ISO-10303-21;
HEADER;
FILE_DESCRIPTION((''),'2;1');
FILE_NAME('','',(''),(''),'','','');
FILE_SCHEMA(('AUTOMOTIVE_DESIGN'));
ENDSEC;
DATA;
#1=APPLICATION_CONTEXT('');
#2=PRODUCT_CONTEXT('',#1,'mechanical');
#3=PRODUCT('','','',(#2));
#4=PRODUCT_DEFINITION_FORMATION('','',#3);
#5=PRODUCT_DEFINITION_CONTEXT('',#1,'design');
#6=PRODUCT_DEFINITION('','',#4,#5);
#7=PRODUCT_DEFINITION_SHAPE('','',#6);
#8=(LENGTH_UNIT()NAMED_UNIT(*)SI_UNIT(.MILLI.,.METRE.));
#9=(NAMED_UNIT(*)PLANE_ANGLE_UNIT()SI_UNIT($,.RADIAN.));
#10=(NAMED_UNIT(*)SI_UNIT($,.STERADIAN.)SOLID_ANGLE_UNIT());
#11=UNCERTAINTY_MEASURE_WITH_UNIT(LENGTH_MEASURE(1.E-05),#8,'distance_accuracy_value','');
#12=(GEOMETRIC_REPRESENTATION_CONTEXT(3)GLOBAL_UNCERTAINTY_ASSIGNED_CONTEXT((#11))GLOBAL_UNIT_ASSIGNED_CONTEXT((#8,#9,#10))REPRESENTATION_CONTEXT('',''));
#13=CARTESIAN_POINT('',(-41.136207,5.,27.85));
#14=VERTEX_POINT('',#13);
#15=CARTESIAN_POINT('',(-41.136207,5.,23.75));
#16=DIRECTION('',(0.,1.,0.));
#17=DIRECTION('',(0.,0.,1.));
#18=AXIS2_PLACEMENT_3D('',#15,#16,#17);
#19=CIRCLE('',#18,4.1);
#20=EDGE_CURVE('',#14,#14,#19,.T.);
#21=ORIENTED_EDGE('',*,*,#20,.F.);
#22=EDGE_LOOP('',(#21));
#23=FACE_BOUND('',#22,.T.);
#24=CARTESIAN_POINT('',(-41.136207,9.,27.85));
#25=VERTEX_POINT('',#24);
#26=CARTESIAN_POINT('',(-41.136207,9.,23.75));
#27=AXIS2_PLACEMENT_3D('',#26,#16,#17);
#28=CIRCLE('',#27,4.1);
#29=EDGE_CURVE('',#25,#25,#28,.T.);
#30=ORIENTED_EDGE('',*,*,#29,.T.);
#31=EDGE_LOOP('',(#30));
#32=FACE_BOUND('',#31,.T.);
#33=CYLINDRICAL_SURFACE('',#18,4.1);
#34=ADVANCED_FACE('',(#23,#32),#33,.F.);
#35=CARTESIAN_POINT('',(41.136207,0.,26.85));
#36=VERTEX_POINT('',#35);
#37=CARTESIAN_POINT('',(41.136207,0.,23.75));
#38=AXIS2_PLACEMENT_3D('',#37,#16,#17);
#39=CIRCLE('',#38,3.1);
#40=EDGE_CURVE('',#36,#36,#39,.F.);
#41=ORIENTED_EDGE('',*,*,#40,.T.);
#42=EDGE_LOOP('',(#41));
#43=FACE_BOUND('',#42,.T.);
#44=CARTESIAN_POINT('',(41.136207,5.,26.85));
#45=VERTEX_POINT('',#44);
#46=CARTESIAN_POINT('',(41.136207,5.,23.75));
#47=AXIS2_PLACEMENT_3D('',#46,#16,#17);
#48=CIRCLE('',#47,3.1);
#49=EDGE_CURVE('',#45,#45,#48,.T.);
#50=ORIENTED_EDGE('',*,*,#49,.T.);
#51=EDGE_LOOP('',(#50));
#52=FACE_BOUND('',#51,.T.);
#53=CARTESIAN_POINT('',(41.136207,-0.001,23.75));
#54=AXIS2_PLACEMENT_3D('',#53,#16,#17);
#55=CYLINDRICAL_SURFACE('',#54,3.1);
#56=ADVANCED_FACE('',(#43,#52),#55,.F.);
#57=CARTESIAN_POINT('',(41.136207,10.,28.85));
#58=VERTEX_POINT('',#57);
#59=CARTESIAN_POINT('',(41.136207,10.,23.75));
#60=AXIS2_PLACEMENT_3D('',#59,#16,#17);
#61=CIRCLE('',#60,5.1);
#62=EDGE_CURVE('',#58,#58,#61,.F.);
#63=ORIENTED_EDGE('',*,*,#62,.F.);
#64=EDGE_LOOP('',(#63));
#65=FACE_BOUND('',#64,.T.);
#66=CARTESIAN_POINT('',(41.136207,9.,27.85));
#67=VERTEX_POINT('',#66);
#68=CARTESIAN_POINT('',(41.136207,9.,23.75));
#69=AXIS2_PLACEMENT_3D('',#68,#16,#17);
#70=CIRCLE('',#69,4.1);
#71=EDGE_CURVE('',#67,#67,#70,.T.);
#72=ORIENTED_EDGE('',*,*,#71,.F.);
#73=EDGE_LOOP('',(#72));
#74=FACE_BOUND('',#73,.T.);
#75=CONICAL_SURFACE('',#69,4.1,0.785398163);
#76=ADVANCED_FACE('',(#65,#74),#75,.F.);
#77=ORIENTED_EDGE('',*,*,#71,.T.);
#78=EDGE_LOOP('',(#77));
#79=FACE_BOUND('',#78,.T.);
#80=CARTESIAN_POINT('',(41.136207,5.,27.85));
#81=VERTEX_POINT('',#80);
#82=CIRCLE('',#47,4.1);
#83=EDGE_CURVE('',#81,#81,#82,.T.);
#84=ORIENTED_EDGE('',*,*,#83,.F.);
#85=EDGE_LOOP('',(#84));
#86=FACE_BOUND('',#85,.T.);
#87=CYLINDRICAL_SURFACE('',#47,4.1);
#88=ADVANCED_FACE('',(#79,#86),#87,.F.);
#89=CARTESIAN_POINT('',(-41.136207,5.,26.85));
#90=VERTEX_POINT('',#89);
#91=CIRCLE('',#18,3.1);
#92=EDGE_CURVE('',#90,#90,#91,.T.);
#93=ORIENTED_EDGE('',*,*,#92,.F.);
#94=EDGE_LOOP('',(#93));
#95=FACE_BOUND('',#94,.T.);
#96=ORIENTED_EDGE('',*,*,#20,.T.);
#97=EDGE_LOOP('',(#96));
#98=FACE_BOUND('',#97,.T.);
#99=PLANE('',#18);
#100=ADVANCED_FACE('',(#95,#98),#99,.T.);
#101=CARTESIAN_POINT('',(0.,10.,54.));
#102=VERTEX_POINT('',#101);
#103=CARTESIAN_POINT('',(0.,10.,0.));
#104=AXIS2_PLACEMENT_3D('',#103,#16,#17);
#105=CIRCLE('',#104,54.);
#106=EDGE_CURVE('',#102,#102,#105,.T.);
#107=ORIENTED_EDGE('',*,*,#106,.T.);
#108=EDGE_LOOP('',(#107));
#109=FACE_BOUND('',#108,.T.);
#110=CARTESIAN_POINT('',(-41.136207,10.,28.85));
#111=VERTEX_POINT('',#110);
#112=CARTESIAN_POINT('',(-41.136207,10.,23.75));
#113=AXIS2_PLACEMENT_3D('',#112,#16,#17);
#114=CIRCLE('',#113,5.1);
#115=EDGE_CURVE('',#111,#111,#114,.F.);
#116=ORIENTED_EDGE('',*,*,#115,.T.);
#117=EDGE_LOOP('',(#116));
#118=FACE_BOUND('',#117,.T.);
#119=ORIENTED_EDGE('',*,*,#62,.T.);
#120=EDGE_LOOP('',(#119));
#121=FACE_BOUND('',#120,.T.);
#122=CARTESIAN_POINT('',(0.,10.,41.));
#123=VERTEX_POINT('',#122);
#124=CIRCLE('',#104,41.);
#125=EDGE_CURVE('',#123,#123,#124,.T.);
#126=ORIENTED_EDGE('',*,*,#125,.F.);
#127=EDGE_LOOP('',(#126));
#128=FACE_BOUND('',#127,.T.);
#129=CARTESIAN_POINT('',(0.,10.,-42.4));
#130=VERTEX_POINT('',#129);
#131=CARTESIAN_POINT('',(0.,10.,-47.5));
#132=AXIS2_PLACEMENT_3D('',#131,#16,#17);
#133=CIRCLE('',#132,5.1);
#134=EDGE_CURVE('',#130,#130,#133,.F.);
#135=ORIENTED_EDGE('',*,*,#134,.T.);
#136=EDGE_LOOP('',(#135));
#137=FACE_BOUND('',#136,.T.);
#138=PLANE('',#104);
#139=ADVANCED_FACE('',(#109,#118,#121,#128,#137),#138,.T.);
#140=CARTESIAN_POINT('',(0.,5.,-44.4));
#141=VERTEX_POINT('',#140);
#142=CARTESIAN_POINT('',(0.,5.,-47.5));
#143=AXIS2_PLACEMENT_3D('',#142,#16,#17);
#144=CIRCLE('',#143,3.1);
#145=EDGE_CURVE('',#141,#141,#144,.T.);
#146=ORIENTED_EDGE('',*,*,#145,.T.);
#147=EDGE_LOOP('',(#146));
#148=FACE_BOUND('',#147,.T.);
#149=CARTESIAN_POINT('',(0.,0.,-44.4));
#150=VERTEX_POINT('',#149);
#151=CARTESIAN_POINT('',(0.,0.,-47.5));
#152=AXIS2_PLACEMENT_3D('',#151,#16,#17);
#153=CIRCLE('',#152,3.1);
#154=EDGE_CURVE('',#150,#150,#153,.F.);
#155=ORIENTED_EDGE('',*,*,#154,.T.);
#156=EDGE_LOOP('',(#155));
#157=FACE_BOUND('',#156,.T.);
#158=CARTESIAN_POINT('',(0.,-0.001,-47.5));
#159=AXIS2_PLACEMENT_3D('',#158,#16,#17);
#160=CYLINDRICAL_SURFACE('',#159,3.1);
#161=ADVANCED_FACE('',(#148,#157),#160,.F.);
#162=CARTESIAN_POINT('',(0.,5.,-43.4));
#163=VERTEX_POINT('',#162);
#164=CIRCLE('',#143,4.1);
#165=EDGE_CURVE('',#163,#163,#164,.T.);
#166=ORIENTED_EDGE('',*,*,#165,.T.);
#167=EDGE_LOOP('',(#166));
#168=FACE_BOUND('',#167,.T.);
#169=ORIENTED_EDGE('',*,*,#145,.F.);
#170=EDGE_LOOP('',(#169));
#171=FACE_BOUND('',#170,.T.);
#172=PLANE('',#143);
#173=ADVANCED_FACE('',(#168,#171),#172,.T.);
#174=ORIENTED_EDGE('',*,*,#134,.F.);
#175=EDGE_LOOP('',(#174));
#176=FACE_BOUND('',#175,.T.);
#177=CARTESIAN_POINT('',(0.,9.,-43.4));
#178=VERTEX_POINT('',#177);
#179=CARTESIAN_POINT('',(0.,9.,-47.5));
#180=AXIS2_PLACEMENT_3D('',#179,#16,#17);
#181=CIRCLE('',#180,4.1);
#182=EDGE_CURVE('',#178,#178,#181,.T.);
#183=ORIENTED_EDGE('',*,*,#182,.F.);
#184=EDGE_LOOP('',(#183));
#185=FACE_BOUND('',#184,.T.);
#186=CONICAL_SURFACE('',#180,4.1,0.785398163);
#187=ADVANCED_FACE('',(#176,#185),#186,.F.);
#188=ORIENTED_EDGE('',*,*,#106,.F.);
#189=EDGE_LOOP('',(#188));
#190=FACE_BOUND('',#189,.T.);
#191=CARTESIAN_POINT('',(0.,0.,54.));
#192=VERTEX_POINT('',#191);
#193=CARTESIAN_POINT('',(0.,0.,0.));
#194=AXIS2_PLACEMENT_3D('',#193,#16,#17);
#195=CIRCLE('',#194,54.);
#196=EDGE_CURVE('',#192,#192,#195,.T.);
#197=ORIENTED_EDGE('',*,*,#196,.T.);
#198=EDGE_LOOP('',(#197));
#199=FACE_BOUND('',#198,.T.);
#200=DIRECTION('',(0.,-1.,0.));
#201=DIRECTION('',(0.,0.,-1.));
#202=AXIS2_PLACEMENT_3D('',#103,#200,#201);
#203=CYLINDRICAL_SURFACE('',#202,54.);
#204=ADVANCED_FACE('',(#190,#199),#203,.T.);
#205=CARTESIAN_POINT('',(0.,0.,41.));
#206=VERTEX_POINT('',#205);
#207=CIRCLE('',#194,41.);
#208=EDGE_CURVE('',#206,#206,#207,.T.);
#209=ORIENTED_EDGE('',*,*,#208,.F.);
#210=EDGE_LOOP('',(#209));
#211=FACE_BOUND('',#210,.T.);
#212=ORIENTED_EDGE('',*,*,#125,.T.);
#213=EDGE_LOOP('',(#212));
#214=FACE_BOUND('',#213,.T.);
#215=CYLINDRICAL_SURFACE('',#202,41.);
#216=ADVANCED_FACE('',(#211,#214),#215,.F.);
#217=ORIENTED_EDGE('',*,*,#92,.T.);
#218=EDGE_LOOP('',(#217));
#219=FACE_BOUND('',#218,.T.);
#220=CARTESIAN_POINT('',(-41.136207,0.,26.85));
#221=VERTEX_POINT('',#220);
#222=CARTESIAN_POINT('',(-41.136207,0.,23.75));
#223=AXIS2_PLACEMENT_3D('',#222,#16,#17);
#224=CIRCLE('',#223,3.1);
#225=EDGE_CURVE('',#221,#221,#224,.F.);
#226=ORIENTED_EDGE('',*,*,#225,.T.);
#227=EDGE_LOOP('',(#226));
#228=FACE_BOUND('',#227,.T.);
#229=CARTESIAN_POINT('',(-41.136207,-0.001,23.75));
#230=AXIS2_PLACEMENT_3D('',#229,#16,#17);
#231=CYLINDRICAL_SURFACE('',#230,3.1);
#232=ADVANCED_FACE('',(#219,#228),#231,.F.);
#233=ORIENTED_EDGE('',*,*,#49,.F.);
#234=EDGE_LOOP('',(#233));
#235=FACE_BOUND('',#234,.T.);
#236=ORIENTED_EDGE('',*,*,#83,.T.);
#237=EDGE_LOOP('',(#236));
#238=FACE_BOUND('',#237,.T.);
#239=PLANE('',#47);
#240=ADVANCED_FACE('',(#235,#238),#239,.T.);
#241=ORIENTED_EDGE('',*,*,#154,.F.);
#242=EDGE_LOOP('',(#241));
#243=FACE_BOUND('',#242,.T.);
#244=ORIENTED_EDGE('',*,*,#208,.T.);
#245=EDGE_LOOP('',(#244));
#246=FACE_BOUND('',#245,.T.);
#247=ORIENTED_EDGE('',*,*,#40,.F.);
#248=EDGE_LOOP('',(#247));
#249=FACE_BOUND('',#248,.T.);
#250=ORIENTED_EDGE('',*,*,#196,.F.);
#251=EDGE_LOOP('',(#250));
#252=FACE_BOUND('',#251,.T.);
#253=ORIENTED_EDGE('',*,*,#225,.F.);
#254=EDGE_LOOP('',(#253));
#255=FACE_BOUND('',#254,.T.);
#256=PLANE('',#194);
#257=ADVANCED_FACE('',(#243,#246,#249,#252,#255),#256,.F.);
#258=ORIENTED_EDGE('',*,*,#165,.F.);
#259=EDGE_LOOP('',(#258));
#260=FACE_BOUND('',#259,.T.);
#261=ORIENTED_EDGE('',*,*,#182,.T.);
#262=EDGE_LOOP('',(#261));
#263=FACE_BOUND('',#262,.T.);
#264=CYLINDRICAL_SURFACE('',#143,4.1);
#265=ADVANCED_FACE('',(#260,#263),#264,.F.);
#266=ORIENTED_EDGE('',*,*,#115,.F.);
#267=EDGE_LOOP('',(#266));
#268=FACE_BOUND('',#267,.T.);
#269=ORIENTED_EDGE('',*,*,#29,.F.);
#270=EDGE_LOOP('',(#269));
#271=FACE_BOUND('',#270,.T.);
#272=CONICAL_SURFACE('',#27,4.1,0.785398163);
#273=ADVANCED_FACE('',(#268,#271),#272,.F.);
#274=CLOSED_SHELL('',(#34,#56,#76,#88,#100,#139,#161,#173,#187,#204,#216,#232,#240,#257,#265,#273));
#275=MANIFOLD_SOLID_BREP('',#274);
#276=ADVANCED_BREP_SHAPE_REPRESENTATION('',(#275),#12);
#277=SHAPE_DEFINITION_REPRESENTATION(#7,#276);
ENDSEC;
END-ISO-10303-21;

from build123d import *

# Parameters (mm, degrees)
SKETCH1_R           = 54
SKETCH1_R_2         = 41
BOSS_EXTRUDE1_DEPTH = 10
SKETCH2_R           = 4.1
CUT_EXTRUDE1_DEPTH  = 5
CUT_EXTRUDE2_REACH  = 78.531
SKETCH3_R           = 3.1
CHAMFER1_SIZE       = 1


with BuildPart() as part:
    # Sketch1 → Boss-Extrude1 (new body)
    with BuildSketch(Plane(origin=(0, 0, 0), x_dir=(1, 0, 0), z_dir=(0, 1, 0))):
        with Locations(Location((0, 0, 0), (0, 0, 270))):
            Circle(SKETCH1_R)
        with Locations(Location((0, 0, 0), (0, 0, 270))):
            Circle(SKETCH1_R_2, mode=Mode.SUBTRACT)
    extrude(amount=BOSS_EXTRUDE1_DEPTH)

    # Sketch2 → Cut-Extrude1 (cut)
    with BuildSketch(Plane(origin=(0, 10, 0), x_dir=(1, 0, 0), z_dir=(0, 1, 0))):
        with Locations(Location((0, 47.5, 0), (0, 0, 270))):
            Circle(SKETCH2_R)
        with Locations(Location((41.13620668, -23.75, 0), (0, 0, 270))):
            Circle(SKETCH2_R)
        with Locations(Location((-41.13620668, -23.75, 0), (0, 0, 270))):
            Circle(SKETCH2_R)
    extrude(amount=-CUT_EXTRUDE1_DEPTH, mode=Mode.SUBTRACT)

    # Sketch3 → Cut-Extrude2 (cut, up to next)
    with BuildSketch(Plane(origin=(0, 5, 0), x_dir=(1, 0, 0), z_dir=(0, 1, 0)), mode=Mode.PRIVATE) as cut_extrude2_sk1:
        with Locations(Location((0, 47.5, 0), (0, 0, 270))):
            Circle(SKETCH3_R)
    cut_extrude2_tool1 = extrude(cut_extrude2_sk1.sketch, amount=-CUT_EXTRUDE2_REACH, mode=Mode.PRIVATE) & part.part
    # Sketch3 → Cut-Extrude2 (cut, up to next)
    with BuildSketch(Plane(origin=(0, 5, 0), x_dir=(1, 0, 0), z_dir=(0, 1, 0)), mode=Mode.PRIVATE) as cut_extrude2_sk2:
        with Locations(Location((41.13620668, -23.75, 0), (0, 0, 270))):
            Circle(SKETCH3_R)
    cut_extrude2_tool2 = extrude(cut_extrude2_sk2.sketch, amount=-CUT_EXTRUDE2_REACH, mode=Mode.PRIVATE) & part.part
    # Sketch3 → Cut-Extrude2 (cut, up to next)
    with BuildSketch(Plane(origin=(0, 5, 0), x_dir=(1, 0, 0), z_dir=(0, 1, 0)), mode=Mode.PRIVATE) as cut_extrude2_sk3:
        with Locations(Location((-41.13620668, -23.75, 0), (0, 0, 270))):
            Circle(SKETCH3_R)
    cut_extrude2_tool3 = extrude(cut_extrude2_sk3.sketch, amount=-CUT_EXTRUDE2_REACH, mode=Mode.PRIVATE) & part.part
    add(cut_extrude2_tool1.solids().sort_by_distance((0, 5, -47.5))[0], mode=Mode.SUBTRACT)
    add(cut_extrude2_tool2.solids().sort_by_distance((41.136207, 5, 23.75))[0], mode=Mode.SUBTRACT)
    add(cut_extrude2_tool3.solids().sort_by_distance((-41.136207, 5, 23.75))[0], mode=Mode.SUBTRACT)

    # Chamfer1
    chamfer1_edges = [part.edges().sort_by_distance(p)[0] for p in [
        (0, 10, -51.6),
        (41.13620668, 10, 19.65),
        (-41.13620668, 10, 19.65),
    ]]
    chamfer(chamfer1_edges, length=CHAMFER1_SIZE)


solid = part.part
